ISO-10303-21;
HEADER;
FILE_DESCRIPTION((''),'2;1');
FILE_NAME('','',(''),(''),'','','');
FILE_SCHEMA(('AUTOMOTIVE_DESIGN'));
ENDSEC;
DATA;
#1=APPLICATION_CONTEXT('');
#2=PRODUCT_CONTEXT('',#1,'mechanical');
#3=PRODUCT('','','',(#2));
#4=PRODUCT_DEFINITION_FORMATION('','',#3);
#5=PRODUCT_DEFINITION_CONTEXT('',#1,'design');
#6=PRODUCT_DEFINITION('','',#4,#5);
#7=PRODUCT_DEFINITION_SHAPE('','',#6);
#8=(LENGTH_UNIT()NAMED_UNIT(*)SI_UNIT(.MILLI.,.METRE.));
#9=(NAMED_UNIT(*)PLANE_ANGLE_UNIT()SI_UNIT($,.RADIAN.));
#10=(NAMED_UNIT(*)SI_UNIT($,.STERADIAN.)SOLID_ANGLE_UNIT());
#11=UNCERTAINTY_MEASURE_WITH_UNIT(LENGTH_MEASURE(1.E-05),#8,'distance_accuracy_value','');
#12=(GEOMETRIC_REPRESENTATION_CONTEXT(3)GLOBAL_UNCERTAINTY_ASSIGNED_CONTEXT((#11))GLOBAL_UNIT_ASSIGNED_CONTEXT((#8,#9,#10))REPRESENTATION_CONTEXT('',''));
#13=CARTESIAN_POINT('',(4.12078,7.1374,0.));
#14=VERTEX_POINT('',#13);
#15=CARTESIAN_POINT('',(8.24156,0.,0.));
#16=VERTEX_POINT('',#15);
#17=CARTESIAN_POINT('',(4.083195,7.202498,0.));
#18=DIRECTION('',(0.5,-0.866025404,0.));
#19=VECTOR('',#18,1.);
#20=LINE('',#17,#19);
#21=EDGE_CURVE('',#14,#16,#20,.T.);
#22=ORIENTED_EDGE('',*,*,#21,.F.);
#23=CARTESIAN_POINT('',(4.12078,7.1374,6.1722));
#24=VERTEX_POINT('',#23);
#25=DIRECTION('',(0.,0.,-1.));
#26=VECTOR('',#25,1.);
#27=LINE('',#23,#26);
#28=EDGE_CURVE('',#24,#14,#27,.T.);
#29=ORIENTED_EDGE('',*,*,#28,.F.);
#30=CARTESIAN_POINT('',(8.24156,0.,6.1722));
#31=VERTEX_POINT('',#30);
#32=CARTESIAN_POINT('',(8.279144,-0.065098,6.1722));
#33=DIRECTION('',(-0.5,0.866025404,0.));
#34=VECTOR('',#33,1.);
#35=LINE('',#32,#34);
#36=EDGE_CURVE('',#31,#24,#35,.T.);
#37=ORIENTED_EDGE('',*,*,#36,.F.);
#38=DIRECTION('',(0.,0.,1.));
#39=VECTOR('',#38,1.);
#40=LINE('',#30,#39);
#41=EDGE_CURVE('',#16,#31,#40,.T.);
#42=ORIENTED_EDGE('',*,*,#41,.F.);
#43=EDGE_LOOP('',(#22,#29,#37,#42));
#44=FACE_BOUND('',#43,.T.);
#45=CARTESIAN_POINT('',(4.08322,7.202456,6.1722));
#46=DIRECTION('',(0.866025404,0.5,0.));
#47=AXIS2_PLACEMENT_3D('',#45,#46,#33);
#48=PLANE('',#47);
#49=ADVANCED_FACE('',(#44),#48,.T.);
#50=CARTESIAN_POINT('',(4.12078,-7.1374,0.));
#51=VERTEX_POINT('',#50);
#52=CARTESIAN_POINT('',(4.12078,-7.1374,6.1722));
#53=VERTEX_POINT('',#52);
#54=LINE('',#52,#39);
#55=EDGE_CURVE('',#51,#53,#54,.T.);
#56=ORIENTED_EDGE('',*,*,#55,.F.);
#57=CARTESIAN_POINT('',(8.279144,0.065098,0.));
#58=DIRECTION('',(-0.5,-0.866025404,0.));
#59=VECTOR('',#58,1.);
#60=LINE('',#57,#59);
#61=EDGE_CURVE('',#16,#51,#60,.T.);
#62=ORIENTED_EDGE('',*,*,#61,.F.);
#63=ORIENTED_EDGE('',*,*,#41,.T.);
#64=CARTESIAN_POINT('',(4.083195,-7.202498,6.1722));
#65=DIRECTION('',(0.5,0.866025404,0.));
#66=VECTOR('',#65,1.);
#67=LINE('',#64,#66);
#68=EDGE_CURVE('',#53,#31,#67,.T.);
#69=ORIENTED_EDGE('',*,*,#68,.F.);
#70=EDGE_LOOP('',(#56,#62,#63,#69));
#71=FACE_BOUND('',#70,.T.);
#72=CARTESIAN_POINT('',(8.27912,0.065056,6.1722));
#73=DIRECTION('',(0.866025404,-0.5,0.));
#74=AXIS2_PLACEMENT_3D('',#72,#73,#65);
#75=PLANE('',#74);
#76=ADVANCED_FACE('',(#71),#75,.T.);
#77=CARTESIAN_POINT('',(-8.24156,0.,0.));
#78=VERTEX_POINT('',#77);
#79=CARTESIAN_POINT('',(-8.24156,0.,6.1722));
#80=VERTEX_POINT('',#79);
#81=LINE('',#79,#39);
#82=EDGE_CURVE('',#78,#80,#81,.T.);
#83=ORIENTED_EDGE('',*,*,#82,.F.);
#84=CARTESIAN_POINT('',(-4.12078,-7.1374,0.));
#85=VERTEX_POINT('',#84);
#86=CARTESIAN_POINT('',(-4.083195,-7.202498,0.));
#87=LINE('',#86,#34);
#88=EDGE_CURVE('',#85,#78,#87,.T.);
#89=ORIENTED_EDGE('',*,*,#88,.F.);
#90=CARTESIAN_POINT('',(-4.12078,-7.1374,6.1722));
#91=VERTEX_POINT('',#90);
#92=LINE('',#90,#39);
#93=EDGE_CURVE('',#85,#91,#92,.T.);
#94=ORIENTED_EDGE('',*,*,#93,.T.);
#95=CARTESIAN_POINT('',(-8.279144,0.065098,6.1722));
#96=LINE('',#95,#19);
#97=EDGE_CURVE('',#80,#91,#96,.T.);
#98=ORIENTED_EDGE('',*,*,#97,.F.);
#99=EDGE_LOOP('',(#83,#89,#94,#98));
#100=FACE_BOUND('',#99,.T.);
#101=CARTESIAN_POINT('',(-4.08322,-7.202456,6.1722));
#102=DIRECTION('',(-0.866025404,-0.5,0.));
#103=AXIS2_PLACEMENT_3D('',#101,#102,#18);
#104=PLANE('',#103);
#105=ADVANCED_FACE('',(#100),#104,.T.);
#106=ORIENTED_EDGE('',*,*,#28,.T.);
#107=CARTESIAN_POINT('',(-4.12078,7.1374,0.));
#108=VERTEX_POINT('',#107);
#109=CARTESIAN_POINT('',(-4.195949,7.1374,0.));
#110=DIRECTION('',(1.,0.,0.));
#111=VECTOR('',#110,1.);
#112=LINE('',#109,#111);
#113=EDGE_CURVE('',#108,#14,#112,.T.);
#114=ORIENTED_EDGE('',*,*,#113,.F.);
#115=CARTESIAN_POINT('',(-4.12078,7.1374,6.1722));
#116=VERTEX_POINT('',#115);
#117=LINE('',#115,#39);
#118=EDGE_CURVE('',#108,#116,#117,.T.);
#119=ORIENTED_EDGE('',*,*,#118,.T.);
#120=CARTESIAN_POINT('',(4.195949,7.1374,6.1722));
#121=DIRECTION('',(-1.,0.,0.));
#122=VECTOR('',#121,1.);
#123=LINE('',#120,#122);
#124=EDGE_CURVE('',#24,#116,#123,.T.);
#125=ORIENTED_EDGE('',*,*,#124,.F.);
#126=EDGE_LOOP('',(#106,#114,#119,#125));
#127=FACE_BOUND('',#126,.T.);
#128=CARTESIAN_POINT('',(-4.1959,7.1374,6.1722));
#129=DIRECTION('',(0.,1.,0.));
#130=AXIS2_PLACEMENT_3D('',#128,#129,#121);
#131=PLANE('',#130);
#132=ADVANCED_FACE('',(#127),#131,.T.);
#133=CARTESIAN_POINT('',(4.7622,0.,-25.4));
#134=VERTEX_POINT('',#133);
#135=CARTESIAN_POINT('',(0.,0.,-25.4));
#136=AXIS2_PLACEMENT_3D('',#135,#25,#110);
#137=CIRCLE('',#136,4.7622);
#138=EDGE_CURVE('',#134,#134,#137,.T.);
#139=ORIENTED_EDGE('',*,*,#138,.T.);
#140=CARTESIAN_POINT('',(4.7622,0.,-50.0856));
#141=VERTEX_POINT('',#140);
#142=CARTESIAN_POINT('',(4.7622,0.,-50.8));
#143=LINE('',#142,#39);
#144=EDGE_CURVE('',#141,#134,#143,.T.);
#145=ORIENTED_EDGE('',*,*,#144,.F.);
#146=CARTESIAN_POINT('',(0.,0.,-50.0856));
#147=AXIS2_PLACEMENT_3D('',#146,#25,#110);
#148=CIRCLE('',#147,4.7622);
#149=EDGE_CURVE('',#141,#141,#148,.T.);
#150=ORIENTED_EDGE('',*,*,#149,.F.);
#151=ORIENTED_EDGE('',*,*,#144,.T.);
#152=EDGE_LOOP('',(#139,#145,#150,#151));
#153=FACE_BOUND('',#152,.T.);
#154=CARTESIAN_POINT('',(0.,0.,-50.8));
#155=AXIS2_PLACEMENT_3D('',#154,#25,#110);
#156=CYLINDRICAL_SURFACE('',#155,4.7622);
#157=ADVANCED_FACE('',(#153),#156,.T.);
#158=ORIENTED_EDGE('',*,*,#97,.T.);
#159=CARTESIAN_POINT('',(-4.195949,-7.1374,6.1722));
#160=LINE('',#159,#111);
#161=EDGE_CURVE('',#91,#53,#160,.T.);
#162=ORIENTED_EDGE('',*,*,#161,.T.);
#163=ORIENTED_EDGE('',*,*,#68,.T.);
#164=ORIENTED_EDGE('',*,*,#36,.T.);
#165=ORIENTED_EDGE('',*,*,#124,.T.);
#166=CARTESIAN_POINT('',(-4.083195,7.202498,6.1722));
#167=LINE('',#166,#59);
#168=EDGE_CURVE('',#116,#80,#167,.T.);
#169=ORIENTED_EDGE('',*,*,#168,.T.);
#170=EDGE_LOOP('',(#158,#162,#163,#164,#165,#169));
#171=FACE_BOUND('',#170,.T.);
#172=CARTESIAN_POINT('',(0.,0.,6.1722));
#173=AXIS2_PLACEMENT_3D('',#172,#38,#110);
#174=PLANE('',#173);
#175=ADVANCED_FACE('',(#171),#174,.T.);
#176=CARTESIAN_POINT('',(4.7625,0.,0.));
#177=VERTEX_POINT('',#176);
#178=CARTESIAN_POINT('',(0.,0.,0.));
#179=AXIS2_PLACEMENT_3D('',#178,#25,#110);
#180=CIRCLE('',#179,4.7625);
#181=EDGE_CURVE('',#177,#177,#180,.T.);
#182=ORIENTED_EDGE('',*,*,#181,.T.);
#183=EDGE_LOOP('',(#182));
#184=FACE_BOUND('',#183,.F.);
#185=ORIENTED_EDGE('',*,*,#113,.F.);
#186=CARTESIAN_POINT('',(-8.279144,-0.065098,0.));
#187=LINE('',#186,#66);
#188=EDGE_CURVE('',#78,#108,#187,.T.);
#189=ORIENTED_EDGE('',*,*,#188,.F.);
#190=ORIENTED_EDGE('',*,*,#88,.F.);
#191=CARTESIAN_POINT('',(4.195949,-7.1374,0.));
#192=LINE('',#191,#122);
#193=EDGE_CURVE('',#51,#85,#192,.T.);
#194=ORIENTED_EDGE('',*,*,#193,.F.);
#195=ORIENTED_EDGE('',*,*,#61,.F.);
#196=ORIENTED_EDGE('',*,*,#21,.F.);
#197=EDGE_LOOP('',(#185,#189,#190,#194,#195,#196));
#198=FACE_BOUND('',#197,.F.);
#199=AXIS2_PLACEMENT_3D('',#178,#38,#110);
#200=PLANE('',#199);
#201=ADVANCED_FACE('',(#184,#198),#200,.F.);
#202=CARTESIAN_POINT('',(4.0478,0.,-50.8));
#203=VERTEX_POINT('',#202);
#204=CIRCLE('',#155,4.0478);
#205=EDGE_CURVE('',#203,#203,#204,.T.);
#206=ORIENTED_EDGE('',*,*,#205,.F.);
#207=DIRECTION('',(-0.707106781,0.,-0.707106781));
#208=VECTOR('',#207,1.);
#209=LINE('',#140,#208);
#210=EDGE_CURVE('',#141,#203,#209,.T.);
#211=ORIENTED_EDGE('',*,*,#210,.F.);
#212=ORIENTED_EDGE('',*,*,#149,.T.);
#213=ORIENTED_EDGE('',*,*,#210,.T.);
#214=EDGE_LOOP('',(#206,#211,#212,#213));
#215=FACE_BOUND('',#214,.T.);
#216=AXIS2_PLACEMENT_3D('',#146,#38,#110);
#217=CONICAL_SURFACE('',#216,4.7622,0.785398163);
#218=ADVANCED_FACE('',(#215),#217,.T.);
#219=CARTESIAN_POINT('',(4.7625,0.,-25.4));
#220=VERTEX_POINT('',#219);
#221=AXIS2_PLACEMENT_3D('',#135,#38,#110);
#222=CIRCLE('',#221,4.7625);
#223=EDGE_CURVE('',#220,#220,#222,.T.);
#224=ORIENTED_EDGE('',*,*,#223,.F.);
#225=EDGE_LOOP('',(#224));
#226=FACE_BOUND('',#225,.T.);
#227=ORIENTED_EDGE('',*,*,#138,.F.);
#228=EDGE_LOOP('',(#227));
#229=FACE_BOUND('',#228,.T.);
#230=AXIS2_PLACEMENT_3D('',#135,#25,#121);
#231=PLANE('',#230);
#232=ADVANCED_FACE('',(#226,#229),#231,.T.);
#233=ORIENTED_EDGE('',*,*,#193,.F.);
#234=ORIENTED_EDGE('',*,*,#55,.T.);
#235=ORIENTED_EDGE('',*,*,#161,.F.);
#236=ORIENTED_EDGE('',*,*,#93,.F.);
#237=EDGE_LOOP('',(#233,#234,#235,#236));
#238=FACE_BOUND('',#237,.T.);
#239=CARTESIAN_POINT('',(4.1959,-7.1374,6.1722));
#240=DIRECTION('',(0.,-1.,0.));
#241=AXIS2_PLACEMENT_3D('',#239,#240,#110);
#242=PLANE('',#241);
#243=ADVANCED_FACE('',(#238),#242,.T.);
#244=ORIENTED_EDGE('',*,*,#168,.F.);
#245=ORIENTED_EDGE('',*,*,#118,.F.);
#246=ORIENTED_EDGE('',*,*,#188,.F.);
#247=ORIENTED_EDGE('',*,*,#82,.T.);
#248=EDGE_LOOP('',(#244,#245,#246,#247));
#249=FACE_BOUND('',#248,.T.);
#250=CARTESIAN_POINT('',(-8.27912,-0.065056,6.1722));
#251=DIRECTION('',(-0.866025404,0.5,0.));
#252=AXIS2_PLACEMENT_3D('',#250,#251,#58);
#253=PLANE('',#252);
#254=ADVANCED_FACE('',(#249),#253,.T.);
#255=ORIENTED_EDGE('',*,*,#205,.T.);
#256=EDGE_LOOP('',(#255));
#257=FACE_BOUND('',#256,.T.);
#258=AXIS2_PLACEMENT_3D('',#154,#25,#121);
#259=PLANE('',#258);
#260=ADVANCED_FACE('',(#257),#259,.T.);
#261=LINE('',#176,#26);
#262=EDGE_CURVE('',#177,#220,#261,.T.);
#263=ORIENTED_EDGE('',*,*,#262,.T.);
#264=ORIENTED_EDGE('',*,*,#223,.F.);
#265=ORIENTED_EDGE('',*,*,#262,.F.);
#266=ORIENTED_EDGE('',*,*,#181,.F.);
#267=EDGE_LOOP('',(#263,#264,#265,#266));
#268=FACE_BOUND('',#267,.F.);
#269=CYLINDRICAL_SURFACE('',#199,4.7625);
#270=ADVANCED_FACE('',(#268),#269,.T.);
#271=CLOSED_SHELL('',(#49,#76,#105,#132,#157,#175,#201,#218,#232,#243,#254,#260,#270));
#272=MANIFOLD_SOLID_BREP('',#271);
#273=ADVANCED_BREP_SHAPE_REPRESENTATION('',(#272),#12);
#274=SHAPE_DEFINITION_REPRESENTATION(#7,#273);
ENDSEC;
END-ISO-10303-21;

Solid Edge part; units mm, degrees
sketch "Sketch1" plane through (0, 0, 0) normal (0, 0, 1) x (1, 0, 0)
  circle A0 centre (0, 0) radius 8.2794
  dimension "D1" = 16.5588
extrude "Protrusion1" add sketch "Sketch1" along normal blind 6.1722
sketch "Sketch2" plane through (0, 0, 0) normal (0, 0, -1) x (1, 0, 0)
  circle A0 centre (0, 0) radius 4.7625
extrude "Protrusion2" add sketch "Sketch2" along normal blind 50.8
sketch "Sketch3" plane through (0, 0, -50.8) normal (0, 0, -1) x (1, 0, 0)
  circle A0 centre (0, 0) radius 4.7622
extrude "Cutout1" cut sketch "Sketch3" against normal blind 25.4 flip side to cut
chamfer "Chamfer_1" distance 0.7144 angle 45 1 edges at (-4.7622, 0, -50.8)
sketch "Sketch4" plane through (0, 0, 6.1722) normal (0, 0, 1) x (1, 0, 0)
  line L0 (-4.1959, 7.1374) -> (4.1959, 7.1374)
  dimension "D1" = 14.2748
extrude "Cutout2" cut sketch "Sketch4" against normal up to next material side at (0, 7.1874, 6.1722)
pattern_circular "Pattern1" count 6 over 360 about axis through (0, 0, 6.1722) along (0, 0, 1) of "Cutout2"
properties part number "24100016"
